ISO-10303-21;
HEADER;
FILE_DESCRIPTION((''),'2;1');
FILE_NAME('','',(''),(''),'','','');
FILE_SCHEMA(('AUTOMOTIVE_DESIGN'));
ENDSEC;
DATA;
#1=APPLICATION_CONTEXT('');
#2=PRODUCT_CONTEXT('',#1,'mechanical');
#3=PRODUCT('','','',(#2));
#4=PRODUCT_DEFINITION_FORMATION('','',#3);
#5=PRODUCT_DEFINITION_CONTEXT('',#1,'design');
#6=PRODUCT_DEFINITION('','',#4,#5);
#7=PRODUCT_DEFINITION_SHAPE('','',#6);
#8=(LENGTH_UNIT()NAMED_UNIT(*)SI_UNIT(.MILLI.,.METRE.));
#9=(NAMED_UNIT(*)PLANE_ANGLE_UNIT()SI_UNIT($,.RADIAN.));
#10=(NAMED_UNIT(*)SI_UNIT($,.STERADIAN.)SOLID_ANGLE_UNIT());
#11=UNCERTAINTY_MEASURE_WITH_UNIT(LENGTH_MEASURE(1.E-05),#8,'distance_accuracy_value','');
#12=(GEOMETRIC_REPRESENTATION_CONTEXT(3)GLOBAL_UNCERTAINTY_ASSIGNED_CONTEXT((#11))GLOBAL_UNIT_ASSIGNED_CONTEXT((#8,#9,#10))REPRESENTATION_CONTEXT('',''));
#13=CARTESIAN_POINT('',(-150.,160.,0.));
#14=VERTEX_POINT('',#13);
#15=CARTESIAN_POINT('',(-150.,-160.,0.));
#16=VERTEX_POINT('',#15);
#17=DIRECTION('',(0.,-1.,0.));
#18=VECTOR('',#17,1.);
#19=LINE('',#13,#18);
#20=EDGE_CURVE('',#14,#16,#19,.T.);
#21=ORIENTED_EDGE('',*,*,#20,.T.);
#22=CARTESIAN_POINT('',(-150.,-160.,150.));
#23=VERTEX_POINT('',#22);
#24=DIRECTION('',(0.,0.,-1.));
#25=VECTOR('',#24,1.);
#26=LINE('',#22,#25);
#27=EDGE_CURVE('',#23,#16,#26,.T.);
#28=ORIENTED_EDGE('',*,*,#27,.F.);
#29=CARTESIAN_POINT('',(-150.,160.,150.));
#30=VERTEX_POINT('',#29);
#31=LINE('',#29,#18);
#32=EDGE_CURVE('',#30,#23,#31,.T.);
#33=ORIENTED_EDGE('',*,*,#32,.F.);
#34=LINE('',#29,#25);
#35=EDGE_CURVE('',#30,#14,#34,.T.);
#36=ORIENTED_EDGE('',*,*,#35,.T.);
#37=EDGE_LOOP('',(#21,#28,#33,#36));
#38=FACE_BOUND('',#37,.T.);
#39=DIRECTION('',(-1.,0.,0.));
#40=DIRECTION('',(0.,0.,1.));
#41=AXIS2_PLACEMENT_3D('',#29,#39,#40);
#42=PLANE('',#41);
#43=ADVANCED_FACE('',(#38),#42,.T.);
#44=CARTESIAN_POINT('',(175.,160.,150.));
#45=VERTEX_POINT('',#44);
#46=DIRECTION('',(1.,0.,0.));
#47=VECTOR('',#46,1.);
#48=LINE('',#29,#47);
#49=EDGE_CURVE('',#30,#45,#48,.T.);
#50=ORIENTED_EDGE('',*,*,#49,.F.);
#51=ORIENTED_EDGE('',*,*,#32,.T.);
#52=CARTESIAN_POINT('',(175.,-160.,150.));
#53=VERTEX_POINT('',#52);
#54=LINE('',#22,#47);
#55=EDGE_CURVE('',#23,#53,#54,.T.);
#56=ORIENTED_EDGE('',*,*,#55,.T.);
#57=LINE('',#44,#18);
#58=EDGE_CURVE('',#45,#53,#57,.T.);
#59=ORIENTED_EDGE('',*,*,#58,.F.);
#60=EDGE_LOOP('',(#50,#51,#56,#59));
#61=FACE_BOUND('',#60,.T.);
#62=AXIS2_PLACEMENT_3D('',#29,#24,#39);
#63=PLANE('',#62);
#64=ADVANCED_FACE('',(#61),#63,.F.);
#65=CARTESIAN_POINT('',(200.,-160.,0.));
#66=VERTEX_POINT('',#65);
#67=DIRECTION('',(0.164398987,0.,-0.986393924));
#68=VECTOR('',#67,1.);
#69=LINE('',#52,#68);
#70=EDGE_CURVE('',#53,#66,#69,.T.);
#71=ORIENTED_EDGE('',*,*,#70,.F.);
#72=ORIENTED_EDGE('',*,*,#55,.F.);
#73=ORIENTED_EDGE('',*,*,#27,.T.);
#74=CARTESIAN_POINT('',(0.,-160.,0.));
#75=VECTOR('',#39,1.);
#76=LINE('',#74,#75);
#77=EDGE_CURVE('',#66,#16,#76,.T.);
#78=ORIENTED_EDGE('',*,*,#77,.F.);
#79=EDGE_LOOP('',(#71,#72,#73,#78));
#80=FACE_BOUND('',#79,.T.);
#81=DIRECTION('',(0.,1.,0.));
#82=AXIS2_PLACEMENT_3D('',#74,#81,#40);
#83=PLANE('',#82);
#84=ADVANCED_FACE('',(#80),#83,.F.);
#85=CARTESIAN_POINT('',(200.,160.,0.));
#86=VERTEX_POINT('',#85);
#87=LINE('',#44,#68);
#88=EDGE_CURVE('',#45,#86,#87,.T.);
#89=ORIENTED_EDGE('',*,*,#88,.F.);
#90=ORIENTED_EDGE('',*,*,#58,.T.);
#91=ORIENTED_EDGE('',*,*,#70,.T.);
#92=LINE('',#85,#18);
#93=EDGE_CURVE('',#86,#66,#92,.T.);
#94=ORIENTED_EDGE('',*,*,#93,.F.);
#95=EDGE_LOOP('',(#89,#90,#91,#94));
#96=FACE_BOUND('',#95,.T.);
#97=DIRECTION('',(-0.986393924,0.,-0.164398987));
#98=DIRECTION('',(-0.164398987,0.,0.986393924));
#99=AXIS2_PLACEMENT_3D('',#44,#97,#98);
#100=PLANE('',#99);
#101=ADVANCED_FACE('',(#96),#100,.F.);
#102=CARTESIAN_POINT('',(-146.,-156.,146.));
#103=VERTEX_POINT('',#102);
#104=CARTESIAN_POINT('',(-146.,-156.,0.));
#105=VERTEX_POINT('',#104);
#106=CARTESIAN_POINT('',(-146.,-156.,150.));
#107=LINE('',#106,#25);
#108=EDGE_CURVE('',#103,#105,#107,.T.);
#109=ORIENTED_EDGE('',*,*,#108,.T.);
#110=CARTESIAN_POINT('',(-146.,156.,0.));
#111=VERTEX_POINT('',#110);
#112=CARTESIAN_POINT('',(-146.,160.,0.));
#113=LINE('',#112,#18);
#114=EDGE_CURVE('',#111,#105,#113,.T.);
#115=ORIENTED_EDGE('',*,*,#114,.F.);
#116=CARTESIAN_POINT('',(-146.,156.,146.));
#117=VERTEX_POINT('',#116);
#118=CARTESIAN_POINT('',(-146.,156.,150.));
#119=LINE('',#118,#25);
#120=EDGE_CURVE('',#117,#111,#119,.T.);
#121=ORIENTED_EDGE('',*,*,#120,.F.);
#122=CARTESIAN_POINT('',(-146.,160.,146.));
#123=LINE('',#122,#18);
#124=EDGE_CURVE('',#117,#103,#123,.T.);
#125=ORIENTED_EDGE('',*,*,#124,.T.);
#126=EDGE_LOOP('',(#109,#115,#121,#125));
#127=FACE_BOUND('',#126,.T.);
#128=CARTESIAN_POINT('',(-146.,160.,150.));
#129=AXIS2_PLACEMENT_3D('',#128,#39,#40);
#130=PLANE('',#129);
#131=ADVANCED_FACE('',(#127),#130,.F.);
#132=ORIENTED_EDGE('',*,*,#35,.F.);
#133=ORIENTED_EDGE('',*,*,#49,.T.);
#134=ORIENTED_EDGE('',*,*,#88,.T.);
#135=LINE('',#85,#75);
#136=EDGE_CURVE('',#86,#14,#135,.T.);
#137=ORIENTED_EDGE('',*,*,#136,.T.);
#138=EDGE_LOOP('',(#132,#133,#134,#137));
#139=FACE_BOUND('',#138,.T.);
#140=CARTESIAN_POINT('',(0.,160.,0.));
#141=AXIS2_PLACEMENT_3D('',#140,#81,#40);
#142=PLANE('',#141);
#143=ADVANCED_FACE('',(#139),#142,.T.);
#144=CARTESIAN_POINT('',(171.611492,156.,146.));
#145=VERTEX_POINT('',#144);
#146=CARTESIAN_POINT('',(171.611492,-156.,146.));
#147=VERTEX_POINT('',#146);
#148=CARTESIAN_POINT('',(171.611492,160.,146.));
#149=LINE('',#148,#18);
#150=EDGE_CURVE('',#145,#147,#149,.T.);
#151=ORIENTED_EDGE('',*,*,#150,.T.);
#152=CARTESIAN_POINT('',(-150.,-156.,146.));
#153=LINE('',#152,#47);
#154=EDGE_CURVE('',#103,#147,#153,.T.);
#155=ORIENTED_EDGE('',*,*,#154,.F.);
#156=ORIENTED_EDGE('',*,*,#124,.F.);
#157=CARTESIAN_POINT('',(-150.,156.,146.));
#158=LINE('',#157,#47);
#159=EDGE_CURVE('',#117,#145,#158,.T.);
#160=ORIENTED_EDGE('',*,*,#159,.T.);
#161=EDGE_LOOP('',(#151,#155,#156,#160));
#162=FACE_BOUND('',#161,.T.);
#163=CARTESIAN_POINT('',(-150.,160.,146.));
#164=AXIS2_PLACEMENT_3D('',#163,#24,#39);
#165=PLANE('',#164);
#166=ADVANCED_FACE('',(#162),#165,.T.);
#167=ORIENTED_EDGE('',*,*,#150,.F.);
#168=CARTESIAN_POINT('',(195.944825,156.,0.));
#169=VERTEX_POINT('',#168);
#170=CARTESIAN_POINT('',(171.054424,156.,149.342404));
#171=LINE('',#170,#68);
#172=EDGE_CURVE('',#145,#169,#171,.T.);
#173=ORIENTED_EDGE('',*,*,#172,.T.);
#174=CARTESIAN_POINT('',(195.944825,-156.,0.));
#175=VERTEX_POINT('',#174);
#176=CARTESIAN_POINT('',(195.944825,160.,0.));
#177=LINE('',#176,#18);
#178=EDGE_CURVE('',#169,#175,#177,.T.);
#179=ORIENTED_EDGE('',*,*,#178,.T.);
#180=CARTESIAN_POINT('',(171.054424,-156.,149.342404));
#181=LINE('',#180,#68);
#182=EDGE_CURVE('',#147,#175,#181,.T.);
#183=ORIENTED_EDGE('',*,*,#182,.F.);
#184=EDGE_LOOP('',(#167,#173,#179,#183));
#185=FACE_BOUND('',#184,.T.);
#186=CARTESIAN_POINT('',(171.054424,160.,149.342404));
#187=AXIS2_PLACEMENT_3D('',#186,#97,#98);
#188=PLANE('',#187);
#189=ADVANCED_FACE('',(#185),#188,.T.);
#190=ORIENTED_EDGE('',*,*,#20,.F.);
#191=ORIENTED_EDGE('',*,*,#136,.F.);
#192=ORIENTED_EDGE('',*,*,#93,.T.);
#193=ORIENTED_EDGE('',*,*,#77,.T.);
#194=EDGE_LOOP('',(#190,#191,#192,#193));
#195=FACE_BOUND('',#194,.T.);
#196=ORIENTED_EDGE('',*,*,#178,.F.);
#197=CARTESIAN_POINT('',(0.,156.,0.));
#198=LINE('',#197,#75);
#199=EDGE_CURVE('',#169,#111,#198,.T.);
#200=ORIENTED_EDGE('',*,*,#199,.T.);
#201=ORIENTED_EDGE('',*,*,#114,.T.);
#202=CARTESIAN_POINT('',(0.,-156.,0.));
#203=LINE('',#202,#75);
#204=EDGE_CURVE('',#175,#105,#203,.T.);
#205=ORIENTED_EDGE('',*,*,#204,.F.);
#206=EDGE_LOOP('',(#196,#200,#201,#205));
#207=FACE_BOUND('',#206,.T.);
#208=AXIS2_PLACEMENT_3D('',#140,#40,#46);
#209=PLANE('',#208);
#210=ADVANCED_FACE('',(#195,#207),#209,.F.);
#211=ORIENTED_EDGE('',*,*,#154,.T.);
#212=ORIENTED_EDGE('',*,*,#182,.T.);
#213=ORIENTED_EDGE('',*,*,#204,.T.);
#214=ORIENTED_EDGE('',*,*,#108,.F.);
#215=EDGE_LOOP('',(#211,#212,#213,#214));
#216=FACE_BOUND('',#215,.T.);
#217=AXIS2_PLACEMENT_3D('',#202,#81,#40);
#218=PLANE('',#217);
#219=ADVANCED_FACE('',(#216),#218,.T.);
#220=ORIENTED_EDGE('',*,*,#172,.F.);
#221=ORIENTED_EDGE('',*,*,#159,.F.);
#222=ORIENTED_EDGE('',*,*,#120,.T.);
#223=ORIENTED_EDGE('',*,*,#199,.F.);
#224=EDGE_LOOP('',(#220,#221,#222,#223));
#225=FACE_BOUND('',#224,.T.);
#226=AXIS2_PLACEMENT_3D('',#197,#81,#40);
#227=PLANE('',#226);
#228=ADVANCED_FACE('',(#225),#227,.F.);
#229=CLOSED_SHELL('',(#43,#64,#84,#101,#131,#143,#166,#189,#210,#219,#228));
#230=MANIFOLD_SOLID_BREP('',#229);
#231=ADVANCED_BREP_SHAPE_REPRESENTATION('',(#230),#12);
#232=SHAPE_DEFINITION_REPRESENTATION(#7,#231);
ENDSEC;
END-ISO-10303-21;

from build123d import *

# Parameters (mm, degrees)
EXTRUDE_2_DEPTH = 160
SHELL_2_T       = -4


with BuildPart() as part:
    # 草图1 → 凸台-拉伸2 (new, symmetric)
    with BuildSketch(Plane(origin=(0, 0, 0), x_dir=(1, 0, 0), z_dir=(0, 1, 0))):
        Polygon((200, 0), (0, 0), (-150, 0), (-150, -150), (175, -150), align=None)
    extrude(amount=EXTRUDE_2_DEPTH, both=True)

    # 抽壳2
    shell_2_openings = [part.faces().sort_by_distance(p)[0] for p in [
        (25, 0, 0),
    ]]
    offset(amount=SHELL_2_T, openings=shell_2_openings, kind=Kind.INTERSECTION)


solid = part.part
